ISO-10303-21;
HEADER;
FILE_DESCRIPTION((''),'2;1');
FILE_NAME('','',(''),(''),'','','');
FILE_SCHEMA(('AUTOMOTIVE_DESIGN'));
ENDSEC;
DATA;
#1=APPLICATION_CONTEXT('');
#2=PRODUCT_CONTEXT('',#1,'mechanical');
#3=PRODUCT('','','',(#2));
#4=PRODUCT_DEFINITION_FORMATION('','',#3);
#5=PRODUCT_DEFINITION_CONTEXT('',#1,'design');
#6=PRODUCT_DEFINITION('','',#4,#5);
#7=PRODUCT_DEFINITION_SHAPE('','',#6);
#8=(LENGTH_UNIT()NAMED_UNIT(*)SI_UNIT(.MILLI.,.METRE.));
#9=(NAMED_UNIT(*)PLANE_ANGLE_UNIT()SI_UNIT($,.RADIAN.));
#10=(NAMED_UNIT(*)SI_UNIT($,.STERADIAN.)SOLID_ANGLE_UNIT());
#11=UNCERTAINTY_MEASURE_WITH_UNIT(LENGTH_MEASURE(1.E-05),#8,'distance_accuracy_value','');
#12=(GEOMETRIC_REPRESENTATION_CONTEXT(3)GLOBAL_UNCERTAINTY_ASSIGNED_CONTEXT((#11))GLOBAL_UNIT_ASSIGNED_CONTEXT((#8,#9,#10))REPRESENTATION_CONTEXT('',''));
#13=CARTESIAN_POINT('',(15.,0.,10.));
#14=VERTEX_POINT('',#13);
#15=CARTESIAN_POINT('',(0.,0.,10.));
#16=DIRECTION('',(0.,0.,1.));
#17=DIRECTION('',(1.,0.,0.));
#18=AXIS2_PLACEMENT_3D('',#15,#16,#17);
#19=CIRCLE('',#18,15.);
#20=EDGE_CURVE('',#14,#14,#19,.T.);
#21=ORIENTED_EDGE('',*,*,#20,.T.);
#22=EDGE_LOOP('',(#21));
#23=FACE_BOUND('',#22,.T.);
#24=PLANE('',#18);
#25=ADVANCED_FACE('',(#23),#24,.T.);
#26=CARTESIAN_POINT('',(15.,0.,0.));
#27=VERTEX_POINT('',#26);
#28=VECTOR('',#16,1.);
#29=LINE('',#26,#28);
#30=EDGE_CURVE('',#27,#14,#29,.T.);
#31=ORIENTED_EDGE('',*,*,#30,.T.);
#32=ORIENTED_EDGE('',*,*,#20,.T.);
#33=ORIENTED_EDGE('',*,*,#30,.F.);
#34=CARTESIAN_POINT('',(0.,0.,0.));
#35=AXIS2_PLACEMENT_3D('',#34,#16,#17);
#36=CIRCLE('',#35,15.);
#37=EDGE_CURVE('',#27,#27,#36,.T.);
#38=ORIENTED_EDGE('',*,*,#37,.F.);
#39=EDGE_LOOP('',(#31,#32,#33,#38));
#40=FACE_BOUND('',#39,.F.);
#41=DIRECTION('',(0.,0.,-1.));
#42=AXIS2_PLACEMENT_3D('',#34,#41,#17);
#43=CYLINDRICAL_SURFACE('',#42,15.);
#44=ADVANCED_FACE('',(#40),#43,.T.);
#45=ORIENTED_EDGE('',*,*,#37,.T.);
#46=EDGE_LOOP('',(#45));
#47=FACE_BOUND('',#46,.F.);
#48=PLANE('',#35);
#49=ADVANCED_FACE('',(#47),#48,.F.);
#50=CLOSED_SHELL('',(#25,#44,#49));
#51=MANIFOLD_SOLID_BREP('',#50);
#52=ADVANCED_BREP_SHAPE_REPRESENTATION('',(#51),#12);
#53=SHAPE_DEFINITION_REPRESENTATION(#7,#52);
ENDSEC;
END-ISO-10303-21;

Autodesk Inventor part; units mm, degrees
ref_plane "YZ Plane" through (0, 0, 0) normal (1, 0, 0) x (0, 1, 0)
ref_plane "XZ Plane" through (0, 0, 0) normal (0, 1, 0) x (-1, 0, 0)
ref_plane "XY Plane" through (0, 0, 0) normal (0, 0, 1) x (1, 0, 0)
sketch "Sketch1" plane through (0, 0, 0) normal (0, 0, 1) x (1, 0, 0)
  circle A0 centre (0, 0) radius 44.45
  circle A1 centre (0, 0) radius 41.45
  circle A2 centre (0, 0) radius 600
  circle A3 centre (144.9387, 540.9185) radius 100
  circle A4 centre (-144.9387, 540.9185) radius 100
  circle A5 centre (-395.9798, 395.9798) radius 100
  circle A6 centre (-540.9185, 144.9387) radius 100
  circle A7 centre (-540.9185, -144.9387) radius 100
  circle A8 centre (-395.9798, -395.9798) radius 100
  circle A9 centre (-144.9387, -540.9185) radius 100
  circle A10 centre (144.9387, -540.9185) radius 100
  circle A11 centre (395.9798, -395.9798) radius 100
  circle A12 centre (540.9185, -144.9387) radius 100
  circle A13 centre (230, 398.3717) radius 100
  circle A14 centre (0, 460) radius 100
  circle A15 centre (-230, 398.3717) radius 100
  circle A16 centre (-398.3717, 230) radius 100
  circle A17 centre (-460, 0) radius 100
  circle A18 centre (-398.3717, -230) radius 100
  circle A19 centre (-230, -398.3717) radius 100
  circle A20 centre (0, -460) radius 100
  circle A21 centre (230, -398.3717) radius 100
  circle A22 centre (398.3717, -230) radius 100
  circle A23 centre (-212.132, 212.132) radius 100
  circle A24 centre (-289.7777, 77.6457) radius 100
  circle A25 centre (-289.7777, -77.6457) radius 100
  circle A26 centre (-212.132, -212.132) radius 100
  circle A27 centre (-77.6457, -289.7777) radius 100
  circle A28 centre (77.6457, -289.7777) radius 100
  circle A29 centre (212.132, -212.132) radius 100
  circle A30 centre (289.7777, -77.6457) radius 100
  circle A31 centre (98.9949, 98.9949) radius 100
  circle A32 centre (289.7777, 77.6457) radius 100
  circle A33 centre (212.132, 212.132) radius 100
  circle A34 centre (-98.9949, 98.9949) radius 100
  circle A35 centre (-98.9949, -98.9949) radius 100
  circle A36 centre (98.9949, -98.9949) radius 100
  circle A37 centre (460, 0) radius 100
  circle A38 centre (398.3717, 230) radius 100
  circle A39 centre (77.6457, 289.7777) radius 100
  circle A40 centre (-77.6457, 289.7777) radius 100
  circle A41 centre (540.9185, 144.9387) radius 100
  circle A42 centre (395.9798, 395.9798) radius 100
  line L0 (0, 0) -> (-600, 0) construction
  line L1 (0, 0) -> (-540.9185, 144.9387) construction
  line L2 (-460, 0) -> (0, 0) construction
  line L3 (0, 0) -> (-289.7777, -77.6457) construction
  line L4 (-98.9949, -98.9949) -> (0, 0) construction
  dimension "d2" = 1200
  dimension "d0" = 88.9
  dimension "d1" = 3
  dimension "d5" = 360
  dimension "d9" = 360
  dimension "d11" = 200
  dimension "d14" = 360
  dimension "d18" = 360
  dimension "d20" = 15
  dimension "d21" = 0
  dimension "d22" = 15
  dimension "d23" = 45
  dimension "d24" = 140
  dimension "d25" = 300
  dimension "d26" = 460
  dimension "d27" = 560
sketch "Sketch2" plane through (0, 0, 0) normal (0, 0, 1) x (1, 0, 0)
  point P0 (0, 0)
  point P1 (-98.9949, -98.9949)
  point P2 (98.9949, -98.9949)
  point P3 (98.9949, 98.9949)
  point P4 (-98.9949, 98.9949)
  point P5 (-77.6457, 289.7777)
  point P6 (77.6457, 289.7777)
  point P7 (212.132, 212.132)
  point P8 (289.7777, 77.6457)
  point P9 (289.7777, -77.6457)
  point P10 (212.132, -212.132)
  point P11 (77.6457, -289.7777)
  point P12 (-77.6457, -289.7777)
  point P13 (0, -460)
  point P14 (230, -398.3717)
  point P15 (144.9387, -540.9185)
  point P16 (395.9798, -395.9798)
  point P17 (398.3717, -230)
  point P18 (540.9185, -144.9387)
  point P19 (460, 0)
  point P20 (540.9185, 144.9387)
  point P21 (398.3717, 230)
  point P22 (395.9798, 395.9798)
  point P23 (230, 398.3717)
  point P24 (144.9387, 540.9185)
  point P25 (0, 460)
  point P26 (-144.9387, 540.9185)
  point P27 (-230, 398.3717)
  point P28 (-212.132, 212.132)
  point P29 (-289.7777, 77.6457)
  point P30 (-289.7777, -77.6457)
  point P31 (-212.132, -212.132)
  point P32 (-398.3717, 230)
  point P33 (-395.9798, 395.9798)
  point P34 (-540.9185, 144.9387)
  point P35 (-460, 0)
  point P36 (-540.9185, -144.9387)
  point P37 (-398.3717, -230)
  point P38 (-395.9798, -395.9798)
  point P39 (-230, -398.3717)
  point P40 (-144.9387, -540.9185)
sketch "Sketch3" plane through (0, 0, 0) normal (0, 0, 1) x (1, 0, 0)
  circle A0 centre (0, 0) radius 15
  dimension "d28" = 30
extrude "Extrusion1" add sketch "Sketch3" along normal blind 10
sketch "Sketch4" plane through (0, 0, 0) normal (1, 0, 0) x (0, 1, 0)
  line L0 (606, 2056.7108) -> (600, 2056.7108)
  line L1 (600, 2056.7108) -> (600, 253.2892)
  line L2 (600, 253.2892) -> (606, 253.2892)
  line L3 (606, 253.2892) -> (606, 2056.7108)
  line L4 (0, 253.2892) -> (0, 1462.6576)
  line L5 (606, 253.2892) -> (606, 223.2892)
  arc A0 (552, 134.4973) -> (606, 223.2892) centre (506, 223.2892) ccw
  arc A1 (0, 0) -> (552, 134.4973) centre (0, 1200) ccw
  line L6 (0, 898.5253) -> (0, -391.9469)
  arc A2 (0, 6) -> (549.24, 139.8248) centre (0, 1200) ccw
  arc A3 (549.24, 139.8248) -> (600, 223.2892) centre (506, 223.2892) ccw
  line L7 (600, 223.2892) -> (600, 253.2892)
  line L8 (600, 253.2892) -> (606, 253.2892)
  line L9 (0, 6) -> (0, 0)
  line L10 (600, 2056.7108) -> (600, 2086.7108)
  arc A4 (600, 2086.7108) -> (549.24, 2170.1752) centre (506, 2086.7108) ccw
  arc A5 (549.24, 2170.1752) -> (0, 2304) centre (0, 1110) ccw
  line L11 (0, 2304) -> (0, 2310)
  arc A6 (552, 2175.5027) -> (0, 2310) centre (0, 1110) ccw
  arc A7 (606, 2086.7108) -> (552, 2175.5027) centre (506, 2086.7108) ccw
  line L12 (606, 2086.7108) -> (606, 2056.7108)
  line L13 (0, 2304) -> (0, 6)
  point P0 (0, 0)
  point P1 (600, 253.2892)
  point P2 (603, 253.2892)
  point P3 (0, 253.2892)
  point P4 (0, 253.2892)
  point P5 (0, 3)
  point P6 (0, 0)
  dimension "d31" = 6
  dimension "d32" = 1803.4216
  dimension "d33" = 1200
  dimension "d37" = 100
  dimension "d38" = 30
  dimension "d39" = 1200
  dimension "d40" = 6
  dimension "d41" = 1200
  dimension "d42" = 253.2892
revolve "Revolution1" [suppressed]
equation "\"d32\" = d35 - 2 * d36"
equation "\"d33\" = d34"
equation "\"d39\" = d41"
equation "\"MAIN_filter_diam\" = 1200"
equation "\"MAIN_hight\" = 2310"
equation "\"Accsess_hatch_lenght\" = 120"
equation "\"Accsess_hatch_diameter\" = 530"
equation "\"Charging_hatch_width\" = 400"
equation "\"Charging_hatch_hight\" = 180"
equation "\"Charging_hatch_lenght\" = 120"
equation "\"d35\" = 2310"
equation "\"d36\" = 253.289193"
equation "\"d34\" = 1200"
properties part number "PNS 1701 Filter column D1200"
